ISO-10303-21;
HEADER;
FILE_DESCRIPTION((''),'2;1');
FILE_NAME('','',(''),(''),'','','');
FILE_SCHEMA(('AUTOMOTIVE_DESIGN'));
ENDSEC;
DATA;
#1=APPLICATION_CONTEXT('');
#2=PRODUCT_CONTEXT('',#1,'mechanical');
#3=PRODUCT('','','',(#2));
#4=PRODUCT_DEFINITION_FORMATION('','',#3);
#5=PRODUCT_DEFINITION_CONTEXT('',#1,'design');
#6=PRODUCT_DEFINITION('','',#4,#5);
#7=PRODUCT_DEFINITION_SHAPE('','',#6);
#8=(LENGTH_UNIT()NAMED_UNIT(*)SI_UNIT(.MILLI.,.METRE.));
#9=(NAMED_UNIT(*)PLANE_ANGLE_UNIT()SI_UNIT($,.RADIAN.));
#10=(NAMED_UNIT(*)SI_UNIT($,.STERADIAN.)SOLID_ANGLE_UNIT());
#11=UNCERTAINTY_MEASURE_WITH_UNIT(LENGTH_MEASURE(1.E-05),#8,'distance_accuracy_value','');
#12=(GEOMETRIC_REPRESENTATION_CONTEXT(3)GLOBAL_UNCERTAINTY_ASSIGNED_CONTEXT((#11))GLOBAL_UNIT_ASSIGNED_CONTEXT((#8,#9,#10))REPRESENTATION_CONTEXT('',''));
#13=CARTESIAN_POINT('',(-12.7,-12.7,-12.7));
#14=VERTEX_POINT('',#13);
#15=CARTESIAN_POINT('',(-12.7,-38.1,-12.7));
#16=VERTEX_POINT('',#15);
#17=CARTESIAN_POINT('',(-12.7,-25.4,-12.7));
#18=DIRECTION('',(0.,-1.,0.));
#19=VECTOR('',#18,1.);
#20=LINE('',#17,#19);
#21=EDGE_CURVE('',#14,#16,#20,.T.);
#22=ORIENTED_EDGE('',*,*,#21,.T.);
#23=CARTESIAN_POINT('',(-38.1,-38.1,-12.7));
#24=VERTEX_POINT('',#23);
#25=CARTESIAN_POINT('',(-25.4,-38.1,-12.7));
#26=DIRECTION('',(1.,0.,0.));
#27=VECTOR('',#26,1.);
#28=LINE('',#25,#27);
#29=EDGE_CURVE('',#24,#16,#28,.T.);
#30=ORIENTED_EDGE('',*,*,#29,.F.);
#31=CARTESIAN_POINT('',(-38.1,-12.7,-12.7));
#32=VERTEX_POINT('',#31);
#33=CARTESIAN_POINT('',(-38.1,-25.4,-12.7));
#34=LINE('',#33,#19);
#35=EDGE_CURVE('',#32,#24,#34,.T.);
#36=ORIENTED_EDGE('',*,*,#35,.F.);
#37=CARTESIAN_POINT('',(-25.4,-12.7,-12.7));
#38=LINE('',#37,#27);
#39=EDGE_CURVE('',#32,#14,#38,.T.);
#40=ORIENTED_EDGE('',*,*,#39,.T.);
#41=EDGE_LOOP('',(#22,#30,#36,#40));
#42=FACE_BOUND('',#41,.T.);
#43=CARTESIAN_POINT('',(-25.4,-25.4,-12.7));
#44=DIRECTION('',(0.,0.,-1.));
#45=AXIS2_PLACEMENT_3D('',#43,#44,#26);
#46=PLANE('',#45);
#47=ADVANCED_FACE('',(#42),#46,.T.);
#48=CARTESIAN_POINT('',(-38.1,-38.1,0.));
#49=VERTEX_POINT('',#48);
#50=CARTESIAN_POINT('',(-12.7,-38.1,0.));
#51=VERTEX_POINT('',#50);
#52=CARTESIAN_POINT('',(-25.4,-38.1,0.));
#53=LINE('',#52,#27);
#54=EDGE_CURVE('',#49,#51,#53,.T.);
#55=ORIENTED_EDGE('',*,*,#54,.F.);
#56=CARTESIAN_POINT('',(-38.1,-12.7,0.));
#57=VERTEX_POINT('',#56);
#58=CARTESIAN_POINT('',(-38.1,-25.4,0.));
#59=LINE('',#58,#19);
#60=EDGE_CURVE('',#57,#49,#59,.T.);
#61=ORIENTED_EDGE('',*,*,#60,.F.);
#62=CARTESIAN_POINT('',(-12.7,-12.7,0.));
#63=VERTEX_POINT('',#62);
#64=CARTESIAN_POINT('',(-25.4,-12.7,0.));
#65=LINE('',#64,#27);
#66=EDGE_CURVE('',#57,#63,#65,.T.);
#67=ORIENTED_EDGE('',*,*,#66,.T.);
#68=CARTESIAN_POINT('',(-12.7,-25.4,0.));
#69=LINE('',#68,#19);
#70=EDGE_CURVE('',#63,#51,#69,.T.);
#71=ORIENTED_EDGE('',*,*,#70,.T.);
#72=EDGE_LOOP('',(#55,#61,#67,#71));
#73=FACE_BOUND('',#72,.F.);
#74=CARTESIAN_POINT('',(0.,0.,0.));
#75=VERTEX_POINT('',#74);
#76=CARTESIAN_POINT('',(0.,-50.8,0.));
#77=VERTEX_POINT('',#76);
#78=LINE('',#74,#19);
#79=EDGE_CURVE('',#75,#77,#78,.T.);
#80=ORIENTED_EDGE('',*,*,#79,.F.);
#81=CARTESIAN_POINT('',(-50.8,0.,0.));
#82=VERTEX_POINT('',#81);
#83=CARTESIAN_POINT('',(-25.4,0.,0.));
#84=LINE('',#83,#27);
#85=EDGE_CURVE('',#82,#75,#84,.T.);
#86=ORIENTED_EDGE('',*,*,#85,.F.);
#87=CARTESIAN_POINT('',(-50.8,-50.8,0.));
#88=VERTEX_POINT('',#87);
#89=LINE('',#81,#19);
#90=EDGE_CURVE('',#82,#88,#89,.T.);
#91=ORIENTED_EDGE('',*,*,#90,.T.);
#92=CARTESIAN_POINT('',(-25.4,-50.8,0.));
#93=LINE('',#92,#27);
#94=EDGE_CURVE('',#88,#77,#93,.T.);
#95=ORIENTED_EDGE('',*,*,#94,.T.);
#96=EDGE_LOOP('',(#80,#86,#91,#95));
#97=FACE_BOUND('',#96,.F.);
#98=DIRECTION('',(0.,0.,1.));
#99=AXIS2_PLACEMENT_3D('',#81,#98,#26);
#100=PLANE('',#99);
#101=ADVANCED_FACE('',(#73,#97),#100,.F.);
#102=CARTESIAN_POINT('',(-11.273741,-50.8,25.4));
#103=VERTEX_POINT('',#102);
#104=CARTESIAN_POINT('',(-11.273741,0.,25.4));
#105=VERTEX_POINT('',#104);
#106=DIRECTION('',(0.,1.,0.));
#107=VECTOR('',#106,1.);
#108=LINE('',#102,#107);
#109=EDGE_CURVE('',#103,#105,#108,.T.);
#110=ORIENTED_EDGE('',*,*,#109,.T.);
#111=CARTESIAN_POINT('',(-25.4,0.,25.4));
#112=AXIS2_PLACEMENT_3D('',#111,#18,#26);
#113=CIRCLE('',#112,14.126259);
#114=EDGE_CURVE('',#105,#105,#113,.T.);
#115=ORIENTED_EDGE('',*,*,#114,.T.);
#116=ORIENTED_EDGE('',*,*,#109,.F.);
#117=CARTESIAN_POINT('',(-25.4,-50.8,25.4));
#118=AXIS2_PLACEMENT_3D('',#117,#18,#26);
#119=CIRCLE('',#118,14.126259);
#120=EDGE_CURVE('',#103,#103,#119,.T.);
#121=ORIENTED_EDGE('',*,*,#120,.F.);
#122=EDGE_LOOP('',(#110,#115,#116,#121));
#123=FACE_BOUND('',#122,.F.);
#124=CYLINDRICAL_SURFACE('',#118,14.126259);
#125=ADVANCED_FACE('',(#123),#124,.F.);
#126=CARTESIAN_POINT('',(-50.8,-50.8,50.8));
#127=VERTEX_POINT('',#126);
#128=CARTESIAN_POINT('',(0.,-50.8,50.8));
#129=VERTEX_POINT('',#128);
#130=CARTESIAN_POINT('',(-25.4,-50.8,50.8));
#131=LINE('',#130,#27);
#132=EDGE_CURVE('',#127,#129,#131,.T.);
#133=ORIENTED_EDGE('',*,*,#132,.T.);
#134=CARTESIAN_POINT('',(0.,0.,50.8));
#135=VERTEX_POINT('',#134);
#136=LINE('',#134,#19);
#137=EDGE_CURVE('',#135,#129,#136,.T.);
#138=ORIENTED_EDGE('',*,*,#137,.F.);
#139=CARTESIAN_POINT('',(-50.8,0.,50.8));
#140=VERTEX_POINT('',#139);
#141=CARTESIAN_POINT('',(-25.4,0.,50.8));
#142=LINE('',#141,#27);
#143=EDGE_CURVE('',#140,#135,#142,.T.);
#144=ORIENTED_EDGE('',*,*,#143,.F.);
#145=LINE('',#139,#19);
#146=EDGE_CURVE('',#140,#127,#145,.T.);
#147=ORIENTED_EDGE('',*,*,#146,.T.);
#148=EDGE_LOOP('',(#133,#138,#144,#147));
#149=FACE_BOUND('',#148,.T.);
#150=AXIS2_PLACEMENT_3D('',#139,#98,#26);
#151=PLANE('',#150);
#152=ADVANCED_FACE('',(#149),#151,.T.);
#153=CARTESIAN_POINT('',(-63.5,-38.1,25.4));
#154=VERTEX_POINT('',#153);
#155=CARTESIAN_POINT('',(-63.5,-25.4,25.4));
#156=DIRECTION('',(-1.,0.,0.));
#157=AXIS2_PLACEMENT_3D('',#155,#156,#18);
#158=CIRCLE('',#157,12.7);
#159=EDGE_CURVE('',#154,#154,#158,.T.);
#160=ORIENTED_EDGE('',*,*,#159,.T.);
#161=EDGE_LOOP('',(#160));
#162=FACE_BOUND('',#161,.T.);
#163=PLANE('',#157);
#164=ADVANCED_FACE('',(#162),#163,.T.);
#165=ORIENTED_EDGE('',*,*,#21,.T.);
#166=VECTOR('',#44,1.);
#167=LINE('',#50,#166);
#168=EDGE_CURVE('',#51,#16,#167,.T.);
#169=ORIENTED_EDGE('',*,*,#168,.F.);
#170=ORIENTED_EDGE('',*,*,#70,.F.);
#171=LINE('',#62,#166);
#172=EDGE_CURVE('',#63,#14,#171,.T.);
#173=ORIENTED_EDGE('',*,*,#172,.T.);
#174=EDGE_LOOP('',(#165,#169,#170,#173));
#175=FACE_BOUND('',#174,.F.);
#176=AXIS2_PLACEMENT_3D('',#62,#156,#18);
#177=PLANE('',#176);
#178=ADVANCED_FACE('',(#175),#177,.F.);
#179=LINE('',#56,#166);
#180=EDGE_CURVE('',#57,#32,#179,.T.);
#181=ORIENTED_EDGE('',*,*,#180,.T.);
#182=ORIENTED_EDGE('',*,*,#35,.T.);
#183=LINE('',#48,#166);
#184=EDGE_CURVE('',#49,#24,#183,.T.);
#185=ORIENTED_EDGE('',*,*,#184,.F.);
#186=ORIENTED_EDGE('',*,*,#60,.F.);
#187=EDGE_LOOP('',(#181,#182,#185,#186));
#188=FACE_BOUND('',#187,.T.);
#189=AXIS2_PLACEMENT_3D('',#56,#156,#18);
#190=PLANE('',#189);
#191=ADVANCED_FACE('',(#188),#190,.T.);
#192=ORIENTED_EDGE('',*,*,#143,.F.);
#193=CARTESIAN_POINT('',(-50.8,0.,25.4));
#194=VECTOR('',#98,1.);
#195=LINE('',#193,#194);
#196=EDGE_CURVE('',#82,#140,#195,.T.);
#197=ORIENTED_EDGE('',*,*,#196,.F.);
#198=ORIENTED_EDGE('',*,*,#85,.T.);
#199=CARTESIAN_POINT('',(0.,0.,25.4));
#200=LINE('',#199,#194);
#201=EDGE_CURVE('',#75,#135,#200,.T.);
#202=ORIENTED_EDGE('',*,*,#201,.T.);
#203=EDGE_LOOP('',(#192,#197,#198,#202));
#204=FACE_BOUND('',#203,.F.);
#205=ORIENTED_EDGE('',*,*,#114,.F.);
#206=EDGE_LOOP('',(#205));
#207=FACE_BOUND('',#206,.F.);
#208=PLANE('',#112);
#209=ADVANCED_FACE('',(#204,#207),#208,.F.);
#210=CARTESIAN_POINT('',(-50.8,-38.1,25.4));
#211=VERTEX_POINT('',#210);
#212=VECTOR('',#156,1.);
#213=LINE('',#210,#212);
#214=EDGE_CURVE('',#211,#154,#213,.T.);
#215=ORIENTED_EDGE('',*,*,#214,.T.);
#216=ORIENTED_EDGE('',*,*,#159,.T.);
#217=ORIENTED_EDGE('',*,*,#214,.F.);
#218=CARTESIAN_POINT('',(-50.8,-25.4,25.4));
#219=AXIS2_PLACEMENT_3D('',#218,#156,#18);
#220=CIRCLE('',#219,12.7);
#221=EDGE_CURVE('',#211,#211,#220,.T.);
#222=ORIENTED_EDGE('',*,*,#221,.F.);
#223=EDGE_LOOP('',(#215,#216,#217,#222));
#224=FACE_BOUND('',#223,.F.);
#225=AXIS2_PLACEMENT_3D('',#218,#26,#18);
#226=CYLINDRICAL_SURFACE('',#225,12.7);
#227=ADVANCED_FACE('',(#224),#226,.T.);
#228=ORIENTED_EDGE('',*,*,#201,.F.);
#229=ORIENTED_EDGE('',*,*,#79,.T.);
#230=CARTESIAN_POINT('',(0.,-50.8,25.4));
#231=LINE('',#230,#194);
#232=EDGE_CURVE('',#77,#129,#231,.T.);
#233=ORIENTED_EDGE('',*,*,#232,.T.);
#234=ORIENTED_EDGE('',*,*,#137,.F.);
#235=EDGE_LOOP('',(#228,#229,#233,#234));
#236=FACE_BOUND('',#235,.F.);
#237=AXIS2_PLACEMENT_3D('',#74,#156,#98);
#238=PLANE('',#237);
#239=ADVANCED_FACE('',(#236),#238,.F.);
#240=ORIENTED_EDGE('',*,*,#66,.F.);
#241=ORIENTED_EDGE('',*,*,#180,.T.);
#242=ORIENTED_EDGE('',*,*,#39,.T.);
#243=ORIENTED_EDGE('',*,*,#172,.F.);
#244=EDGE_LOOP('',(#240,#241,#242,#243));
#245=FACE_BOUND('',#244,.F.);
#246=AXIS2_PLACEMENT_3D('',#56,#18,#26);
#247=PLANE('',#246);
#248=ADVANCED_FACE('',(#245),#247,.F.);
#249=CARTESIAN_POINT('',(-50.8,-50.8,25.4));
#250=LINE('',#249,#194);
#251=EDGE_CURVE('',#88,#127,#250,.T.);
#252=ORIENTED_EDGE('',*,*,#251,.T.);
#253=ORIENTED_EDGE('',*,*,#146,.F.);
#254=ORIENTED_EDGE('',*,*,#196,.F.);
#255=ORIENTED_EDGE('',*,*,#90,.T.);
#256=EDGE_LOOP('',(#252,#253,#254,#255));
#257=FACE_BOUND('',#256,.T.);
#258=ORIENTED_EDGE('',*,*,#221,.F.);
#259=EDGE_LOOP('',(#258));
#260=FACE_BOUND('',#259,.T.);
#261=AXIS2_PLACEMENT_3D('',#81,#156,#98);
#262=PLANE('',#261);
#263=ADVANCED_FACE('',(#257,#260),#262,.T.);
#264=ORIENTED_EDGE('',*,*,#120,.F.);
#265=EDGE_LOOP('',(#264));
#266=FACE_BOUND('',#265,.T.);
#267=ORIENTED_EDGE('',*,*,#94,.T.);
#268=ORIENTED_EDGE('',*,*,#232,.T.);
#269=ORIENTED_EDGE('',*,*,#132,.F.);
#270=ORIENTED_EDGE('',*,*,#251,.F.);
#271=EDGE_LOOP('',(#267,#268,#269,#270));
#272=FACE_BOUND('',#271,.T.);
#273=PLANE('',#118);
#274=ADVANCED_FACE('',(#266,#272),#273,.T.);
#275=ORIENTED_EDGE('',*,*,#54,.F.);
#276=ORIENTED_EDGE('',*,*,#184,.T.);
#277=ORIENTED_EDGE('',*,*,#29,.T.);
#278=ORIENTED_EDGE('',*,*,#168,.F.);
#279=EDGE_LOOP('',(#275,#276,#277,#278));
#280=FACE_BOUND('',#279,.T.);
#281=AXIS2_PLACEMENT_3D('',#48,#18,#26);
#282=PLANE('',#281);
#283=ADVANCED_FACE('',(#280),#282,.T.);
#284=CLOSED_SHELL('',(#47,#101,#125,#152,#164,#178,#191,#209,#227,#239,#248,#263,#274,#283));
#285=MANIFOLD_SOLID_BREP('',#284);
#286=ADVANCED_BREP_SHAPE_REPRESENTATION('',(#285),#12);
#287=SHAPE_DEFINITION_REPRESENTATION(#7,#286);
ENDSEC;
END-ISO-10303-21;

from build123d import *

# Parameters (mm, degrees)
F0_W     = 50.8
F0_H     = 50.8
F1_DEPTH = 50.8
F2_R     = 14.126259
F3_DEPTH = 50.8
F4_W     = 25.4
F4_H     = 25.4
F5_DEPTH = 12.7
F6_R     = 12.7
F7_DEPTH = 12.7


with BuildPart() as f1:
    # F0 (on Front) → F1 (new body)
    with BuildSketch(Plane.XZ):
        with Locations((-25.4, 25.4)):
            Rectangle(F0_W, F0_H)
    extrude(amount=F1_DEPTH)

    # F2 (on face) → F3 (cut)
    with BuildSketch(Plane.XZ.offset(50.8)):
        with Locations((-25.4, 25.4)):
            Circle(F2_R)
    extrude(amount=-F3_DEPTH, mode=Mode.SUBTRACT)

    # F4 (on face) → F5 (join)
    with BuildSketch(Plane(origin=(0, 0, 0), x_dir=(1, 0, 0), z_dir=(0, 0, -1))):
        with Locations((-25.4, 25.4)):
            Rectangle(F4_W, F4_H)
    extrude(amount=F5_DEPTH)

    # F6 (on face) → F7 (join)
    with BuildSketch(Plane(origin=(-50.8, 0, 0), x_dir=(0, -1, 0), z_dir=(-1, 0, 0))):
        with Locations((25.4, 25.4)):
            Circle(F6_R)
    extrude(amount=F7_DEPTH)


solid = f1.part
